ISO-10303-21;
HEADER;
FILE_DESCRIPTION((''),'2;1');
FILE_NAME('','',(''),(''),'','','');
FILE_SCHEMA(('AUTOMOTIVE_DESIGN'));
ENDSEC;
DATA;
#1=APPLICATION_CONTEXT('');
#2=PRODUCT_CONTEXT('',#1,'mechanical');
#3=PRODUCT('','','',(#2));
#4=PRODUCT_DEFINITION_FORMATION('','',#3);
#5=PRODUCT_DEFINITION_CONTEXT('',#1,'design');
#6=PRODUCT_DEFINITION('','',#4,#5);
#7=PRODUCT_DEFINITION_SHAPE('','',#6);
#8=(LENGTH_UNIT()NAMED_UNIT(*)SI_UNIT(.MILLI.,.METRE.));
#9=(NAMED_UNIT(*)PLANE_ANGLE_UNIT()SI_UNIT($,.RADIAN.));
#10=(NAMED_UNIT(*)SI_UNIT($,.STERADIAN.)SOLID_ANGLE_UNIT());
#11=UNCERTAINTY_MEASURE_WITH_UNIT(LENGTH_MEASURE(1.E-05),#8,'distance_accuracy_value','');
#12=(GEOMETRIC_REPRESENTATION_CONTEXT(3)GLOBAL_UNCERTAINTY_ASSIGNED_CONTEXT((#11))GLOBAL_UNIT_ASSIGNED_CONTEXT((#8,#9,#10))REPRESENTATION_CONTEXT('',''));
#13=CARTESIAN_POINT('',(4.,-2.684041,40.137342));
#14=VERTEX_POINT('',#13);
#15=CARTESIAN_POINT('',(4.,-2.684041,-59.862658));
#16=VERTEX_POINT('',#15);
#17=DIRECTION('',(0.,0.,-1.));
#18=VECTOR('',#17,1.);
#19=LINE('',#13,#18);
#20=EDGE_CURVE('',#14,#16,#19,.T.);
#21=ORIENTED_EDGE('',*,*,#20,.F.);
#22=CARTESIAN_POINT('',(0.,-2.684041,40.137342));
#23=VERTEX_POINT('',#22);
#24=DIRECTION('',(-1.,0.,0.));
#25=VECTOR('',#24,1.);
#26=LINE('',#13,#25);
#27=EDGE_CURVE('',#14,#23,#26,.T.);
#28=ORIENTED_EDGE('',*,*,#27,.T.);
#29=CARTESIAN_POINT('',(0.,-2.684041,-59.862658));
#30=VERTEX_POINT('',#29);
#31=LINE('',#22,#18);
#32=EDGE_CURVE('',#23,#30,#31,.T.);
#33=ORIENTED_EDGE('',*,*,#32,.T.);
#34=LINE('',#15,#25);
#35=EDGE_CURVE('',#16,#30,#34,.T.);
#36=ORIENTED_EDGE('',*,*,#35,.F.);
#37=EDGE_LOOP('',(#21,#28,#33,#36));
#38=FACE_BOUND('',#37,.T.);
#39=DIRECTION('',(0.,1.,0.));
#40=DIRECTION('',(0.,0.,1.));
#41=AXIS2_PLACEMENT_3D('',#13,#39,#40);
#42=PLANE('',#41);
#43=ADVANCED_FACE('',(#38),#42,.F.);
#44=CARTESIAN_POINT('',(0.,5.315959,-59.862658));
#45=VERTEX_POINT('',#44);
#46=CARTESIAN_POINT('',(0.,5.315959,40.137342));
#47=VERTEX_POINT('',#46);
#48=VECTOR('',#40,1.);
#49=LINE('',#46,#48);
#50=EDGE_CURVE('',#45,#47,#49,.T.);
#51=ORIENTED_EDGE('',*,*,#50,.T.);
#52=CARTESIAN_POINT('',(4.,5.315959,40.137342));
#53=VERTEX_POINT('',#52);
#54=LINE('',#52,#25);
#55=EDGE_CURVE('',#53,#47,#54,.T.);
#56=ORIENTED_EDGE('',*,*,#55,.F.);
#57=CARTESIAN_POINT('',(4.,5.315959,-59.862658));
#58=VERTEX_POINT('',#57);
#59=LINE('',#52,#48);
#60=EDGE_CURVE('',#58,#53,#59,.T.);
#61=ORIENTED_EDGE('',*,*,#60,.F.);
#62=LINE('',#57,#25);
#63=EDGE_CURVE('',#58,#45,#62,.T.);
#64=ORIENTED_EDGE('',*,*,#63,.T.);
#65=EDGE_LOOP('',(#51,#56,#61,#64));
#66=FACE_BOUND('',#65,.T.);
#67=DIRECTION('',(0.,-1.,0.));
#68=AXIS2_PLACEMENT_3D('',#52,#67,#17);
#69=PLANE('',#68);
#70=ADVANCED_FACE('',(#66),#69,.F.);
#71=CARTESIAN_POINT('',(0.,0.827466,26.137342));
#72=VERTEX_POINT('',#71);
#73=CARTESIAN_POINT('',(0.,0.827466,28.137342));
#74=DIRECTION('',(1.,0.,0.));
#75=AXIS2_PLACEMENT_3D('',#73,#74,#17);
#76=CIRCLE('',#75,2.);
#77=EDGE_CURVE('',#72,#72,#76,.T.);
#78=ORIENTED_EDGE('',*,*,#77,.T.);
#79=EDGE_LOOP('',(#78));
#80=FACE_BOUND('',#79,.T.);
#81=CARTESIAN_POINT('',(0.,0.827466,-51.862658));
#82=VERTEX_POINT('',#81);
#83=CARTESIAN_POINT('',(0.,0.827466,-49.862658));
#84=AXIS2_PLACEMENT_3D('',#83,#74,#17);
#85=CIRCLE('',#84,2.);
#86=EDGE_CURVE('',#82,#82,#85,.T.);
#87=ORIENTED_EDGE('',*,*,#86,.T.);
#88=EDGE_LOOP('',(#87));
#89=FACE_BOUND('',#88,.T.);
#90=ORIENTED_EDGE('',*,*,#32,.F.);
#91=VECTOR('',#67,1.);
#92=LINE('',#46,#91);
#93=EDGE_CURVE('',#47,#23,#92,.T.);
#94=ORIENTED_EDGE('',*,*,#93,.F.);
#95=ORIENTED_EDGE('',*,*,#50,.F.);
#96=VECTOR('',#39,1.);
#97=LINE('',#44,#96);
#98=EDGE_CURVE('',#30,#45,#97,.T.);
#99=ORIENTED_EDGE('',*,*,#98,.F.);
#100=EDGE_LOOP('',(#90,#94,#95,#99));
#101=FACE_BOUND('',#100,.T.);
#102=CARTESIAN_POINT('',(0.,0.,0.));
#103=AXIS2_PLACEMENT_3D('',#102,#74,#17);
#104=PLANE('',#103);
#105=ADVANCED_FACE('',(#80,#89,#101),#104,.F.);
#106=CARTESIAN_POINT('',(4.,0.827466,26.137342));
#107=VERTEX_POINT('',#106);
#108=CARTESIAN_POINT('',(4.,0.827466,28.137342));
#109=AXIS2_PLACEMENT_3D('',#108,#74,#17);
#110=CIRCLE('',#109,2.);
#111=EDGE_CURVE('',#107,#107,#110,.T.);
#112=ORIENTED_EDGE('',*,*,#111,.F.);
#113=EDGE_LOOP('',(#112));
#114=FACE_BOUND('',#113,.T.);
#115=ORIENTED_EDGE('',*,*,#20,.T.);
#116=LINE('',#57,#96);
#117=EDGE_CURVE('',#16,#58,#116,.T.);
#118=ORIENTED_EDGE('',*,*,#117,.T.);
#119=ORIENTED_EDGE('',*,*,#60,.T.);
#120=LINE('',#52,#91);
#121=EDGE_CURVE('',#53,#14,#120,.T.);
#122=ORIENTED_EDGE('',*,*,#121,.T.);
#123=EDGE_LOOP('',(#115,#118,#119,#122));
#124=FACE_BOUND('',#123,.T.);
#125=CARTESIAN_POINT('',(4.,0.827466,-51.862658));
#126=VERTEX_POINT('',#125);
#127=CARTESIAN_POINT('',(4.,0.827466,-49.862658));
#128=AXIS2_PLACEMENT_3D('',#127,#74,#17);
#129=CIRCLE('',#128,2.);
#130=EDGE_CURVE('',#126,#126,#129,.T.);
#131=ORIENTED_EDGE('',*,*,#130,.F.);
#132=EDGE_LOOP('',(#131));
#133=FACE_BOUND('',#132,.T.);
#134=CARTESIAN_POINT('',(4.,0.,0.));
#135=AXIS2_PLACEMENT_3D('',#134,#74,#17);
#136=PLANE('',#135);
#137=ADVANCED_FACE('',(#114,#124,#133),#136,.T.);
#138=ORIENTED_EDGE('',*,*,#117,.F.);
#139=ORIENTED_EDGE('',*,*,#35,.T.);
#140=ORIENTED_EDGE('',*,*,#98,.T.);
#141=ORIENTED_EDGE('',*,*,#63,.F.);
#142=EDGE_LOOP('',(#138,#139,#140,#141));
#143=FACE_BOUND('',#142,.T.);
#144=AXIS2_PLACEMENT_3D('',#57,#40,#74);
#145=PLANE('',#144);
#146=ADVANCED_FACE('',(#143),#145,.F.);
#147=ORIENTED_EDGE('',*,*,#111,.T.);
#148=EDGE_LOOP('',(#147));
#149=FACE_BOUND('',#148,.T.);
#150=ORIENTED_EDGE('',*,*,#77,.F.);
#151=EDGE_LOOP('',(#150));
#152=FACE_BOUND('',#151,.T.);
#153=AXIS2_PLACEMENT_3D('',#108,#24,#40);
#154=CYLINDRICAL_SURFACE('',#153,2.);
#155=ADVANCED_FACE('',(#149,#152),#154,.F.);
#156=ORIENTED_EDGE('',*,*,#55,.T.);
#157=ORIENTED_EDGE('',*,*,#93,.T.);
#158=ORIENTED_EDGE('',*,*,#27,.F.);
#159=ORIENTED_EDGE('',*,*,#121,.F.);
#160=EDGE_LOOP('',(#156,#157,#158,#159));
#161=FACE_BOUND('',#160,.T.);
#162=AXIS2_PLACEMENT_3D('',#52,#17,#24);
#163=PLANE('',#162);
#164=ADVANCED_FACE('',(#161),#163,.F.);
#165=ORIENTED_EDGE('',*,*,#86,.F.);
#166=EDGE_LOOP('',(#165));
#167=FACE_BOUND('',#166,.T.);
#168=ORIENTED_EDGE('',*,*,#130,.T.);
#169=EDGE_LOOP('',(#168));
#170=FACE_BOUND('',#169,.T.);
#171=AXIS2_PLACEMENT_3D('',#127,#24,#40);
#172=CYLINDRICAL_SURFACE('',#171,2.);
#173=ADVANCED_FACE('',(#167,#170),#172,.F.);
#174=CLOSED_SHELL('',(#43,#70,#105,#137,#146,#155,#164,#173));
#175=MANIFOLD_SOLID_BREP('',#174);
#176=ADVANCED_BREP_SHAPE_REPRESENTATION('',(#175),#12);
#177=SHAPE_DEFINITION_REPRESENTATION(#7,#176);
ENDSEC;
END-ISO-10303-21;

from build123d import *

# Parameters (mm, degrees)
SKETCH1_W           = 100
SKETCH1_H           = 8
SKETCH1_R           = 2
BOSS_EXTRUDE1_DEPTH = 4


with BuildPart() as part:
    # Sketch1 → Boss-Extrude1 (new body)
    with BuildSketch(Plane(origin=(0, 0, 0), x_dir=(0, 0, -1), z_dir=(1, 0, 0))):
        with Locations((9.862658316, 1.315958677)):
            Rectangle(SKETCH1_W, SKETCH1_H)
        with Locations((-28.137341684, 0.827466255)):
            Circle(SKETCH1_R, mode=Mode.SUBTRACT)
        with Locations((49.862658316, 0.827466255)):
            Circle(SKETCH1_R, mode=Mode.SUBTRACT)
    extrude(amount=BOSS_EXTRUDE1_DEPTH)


solid = part.part
